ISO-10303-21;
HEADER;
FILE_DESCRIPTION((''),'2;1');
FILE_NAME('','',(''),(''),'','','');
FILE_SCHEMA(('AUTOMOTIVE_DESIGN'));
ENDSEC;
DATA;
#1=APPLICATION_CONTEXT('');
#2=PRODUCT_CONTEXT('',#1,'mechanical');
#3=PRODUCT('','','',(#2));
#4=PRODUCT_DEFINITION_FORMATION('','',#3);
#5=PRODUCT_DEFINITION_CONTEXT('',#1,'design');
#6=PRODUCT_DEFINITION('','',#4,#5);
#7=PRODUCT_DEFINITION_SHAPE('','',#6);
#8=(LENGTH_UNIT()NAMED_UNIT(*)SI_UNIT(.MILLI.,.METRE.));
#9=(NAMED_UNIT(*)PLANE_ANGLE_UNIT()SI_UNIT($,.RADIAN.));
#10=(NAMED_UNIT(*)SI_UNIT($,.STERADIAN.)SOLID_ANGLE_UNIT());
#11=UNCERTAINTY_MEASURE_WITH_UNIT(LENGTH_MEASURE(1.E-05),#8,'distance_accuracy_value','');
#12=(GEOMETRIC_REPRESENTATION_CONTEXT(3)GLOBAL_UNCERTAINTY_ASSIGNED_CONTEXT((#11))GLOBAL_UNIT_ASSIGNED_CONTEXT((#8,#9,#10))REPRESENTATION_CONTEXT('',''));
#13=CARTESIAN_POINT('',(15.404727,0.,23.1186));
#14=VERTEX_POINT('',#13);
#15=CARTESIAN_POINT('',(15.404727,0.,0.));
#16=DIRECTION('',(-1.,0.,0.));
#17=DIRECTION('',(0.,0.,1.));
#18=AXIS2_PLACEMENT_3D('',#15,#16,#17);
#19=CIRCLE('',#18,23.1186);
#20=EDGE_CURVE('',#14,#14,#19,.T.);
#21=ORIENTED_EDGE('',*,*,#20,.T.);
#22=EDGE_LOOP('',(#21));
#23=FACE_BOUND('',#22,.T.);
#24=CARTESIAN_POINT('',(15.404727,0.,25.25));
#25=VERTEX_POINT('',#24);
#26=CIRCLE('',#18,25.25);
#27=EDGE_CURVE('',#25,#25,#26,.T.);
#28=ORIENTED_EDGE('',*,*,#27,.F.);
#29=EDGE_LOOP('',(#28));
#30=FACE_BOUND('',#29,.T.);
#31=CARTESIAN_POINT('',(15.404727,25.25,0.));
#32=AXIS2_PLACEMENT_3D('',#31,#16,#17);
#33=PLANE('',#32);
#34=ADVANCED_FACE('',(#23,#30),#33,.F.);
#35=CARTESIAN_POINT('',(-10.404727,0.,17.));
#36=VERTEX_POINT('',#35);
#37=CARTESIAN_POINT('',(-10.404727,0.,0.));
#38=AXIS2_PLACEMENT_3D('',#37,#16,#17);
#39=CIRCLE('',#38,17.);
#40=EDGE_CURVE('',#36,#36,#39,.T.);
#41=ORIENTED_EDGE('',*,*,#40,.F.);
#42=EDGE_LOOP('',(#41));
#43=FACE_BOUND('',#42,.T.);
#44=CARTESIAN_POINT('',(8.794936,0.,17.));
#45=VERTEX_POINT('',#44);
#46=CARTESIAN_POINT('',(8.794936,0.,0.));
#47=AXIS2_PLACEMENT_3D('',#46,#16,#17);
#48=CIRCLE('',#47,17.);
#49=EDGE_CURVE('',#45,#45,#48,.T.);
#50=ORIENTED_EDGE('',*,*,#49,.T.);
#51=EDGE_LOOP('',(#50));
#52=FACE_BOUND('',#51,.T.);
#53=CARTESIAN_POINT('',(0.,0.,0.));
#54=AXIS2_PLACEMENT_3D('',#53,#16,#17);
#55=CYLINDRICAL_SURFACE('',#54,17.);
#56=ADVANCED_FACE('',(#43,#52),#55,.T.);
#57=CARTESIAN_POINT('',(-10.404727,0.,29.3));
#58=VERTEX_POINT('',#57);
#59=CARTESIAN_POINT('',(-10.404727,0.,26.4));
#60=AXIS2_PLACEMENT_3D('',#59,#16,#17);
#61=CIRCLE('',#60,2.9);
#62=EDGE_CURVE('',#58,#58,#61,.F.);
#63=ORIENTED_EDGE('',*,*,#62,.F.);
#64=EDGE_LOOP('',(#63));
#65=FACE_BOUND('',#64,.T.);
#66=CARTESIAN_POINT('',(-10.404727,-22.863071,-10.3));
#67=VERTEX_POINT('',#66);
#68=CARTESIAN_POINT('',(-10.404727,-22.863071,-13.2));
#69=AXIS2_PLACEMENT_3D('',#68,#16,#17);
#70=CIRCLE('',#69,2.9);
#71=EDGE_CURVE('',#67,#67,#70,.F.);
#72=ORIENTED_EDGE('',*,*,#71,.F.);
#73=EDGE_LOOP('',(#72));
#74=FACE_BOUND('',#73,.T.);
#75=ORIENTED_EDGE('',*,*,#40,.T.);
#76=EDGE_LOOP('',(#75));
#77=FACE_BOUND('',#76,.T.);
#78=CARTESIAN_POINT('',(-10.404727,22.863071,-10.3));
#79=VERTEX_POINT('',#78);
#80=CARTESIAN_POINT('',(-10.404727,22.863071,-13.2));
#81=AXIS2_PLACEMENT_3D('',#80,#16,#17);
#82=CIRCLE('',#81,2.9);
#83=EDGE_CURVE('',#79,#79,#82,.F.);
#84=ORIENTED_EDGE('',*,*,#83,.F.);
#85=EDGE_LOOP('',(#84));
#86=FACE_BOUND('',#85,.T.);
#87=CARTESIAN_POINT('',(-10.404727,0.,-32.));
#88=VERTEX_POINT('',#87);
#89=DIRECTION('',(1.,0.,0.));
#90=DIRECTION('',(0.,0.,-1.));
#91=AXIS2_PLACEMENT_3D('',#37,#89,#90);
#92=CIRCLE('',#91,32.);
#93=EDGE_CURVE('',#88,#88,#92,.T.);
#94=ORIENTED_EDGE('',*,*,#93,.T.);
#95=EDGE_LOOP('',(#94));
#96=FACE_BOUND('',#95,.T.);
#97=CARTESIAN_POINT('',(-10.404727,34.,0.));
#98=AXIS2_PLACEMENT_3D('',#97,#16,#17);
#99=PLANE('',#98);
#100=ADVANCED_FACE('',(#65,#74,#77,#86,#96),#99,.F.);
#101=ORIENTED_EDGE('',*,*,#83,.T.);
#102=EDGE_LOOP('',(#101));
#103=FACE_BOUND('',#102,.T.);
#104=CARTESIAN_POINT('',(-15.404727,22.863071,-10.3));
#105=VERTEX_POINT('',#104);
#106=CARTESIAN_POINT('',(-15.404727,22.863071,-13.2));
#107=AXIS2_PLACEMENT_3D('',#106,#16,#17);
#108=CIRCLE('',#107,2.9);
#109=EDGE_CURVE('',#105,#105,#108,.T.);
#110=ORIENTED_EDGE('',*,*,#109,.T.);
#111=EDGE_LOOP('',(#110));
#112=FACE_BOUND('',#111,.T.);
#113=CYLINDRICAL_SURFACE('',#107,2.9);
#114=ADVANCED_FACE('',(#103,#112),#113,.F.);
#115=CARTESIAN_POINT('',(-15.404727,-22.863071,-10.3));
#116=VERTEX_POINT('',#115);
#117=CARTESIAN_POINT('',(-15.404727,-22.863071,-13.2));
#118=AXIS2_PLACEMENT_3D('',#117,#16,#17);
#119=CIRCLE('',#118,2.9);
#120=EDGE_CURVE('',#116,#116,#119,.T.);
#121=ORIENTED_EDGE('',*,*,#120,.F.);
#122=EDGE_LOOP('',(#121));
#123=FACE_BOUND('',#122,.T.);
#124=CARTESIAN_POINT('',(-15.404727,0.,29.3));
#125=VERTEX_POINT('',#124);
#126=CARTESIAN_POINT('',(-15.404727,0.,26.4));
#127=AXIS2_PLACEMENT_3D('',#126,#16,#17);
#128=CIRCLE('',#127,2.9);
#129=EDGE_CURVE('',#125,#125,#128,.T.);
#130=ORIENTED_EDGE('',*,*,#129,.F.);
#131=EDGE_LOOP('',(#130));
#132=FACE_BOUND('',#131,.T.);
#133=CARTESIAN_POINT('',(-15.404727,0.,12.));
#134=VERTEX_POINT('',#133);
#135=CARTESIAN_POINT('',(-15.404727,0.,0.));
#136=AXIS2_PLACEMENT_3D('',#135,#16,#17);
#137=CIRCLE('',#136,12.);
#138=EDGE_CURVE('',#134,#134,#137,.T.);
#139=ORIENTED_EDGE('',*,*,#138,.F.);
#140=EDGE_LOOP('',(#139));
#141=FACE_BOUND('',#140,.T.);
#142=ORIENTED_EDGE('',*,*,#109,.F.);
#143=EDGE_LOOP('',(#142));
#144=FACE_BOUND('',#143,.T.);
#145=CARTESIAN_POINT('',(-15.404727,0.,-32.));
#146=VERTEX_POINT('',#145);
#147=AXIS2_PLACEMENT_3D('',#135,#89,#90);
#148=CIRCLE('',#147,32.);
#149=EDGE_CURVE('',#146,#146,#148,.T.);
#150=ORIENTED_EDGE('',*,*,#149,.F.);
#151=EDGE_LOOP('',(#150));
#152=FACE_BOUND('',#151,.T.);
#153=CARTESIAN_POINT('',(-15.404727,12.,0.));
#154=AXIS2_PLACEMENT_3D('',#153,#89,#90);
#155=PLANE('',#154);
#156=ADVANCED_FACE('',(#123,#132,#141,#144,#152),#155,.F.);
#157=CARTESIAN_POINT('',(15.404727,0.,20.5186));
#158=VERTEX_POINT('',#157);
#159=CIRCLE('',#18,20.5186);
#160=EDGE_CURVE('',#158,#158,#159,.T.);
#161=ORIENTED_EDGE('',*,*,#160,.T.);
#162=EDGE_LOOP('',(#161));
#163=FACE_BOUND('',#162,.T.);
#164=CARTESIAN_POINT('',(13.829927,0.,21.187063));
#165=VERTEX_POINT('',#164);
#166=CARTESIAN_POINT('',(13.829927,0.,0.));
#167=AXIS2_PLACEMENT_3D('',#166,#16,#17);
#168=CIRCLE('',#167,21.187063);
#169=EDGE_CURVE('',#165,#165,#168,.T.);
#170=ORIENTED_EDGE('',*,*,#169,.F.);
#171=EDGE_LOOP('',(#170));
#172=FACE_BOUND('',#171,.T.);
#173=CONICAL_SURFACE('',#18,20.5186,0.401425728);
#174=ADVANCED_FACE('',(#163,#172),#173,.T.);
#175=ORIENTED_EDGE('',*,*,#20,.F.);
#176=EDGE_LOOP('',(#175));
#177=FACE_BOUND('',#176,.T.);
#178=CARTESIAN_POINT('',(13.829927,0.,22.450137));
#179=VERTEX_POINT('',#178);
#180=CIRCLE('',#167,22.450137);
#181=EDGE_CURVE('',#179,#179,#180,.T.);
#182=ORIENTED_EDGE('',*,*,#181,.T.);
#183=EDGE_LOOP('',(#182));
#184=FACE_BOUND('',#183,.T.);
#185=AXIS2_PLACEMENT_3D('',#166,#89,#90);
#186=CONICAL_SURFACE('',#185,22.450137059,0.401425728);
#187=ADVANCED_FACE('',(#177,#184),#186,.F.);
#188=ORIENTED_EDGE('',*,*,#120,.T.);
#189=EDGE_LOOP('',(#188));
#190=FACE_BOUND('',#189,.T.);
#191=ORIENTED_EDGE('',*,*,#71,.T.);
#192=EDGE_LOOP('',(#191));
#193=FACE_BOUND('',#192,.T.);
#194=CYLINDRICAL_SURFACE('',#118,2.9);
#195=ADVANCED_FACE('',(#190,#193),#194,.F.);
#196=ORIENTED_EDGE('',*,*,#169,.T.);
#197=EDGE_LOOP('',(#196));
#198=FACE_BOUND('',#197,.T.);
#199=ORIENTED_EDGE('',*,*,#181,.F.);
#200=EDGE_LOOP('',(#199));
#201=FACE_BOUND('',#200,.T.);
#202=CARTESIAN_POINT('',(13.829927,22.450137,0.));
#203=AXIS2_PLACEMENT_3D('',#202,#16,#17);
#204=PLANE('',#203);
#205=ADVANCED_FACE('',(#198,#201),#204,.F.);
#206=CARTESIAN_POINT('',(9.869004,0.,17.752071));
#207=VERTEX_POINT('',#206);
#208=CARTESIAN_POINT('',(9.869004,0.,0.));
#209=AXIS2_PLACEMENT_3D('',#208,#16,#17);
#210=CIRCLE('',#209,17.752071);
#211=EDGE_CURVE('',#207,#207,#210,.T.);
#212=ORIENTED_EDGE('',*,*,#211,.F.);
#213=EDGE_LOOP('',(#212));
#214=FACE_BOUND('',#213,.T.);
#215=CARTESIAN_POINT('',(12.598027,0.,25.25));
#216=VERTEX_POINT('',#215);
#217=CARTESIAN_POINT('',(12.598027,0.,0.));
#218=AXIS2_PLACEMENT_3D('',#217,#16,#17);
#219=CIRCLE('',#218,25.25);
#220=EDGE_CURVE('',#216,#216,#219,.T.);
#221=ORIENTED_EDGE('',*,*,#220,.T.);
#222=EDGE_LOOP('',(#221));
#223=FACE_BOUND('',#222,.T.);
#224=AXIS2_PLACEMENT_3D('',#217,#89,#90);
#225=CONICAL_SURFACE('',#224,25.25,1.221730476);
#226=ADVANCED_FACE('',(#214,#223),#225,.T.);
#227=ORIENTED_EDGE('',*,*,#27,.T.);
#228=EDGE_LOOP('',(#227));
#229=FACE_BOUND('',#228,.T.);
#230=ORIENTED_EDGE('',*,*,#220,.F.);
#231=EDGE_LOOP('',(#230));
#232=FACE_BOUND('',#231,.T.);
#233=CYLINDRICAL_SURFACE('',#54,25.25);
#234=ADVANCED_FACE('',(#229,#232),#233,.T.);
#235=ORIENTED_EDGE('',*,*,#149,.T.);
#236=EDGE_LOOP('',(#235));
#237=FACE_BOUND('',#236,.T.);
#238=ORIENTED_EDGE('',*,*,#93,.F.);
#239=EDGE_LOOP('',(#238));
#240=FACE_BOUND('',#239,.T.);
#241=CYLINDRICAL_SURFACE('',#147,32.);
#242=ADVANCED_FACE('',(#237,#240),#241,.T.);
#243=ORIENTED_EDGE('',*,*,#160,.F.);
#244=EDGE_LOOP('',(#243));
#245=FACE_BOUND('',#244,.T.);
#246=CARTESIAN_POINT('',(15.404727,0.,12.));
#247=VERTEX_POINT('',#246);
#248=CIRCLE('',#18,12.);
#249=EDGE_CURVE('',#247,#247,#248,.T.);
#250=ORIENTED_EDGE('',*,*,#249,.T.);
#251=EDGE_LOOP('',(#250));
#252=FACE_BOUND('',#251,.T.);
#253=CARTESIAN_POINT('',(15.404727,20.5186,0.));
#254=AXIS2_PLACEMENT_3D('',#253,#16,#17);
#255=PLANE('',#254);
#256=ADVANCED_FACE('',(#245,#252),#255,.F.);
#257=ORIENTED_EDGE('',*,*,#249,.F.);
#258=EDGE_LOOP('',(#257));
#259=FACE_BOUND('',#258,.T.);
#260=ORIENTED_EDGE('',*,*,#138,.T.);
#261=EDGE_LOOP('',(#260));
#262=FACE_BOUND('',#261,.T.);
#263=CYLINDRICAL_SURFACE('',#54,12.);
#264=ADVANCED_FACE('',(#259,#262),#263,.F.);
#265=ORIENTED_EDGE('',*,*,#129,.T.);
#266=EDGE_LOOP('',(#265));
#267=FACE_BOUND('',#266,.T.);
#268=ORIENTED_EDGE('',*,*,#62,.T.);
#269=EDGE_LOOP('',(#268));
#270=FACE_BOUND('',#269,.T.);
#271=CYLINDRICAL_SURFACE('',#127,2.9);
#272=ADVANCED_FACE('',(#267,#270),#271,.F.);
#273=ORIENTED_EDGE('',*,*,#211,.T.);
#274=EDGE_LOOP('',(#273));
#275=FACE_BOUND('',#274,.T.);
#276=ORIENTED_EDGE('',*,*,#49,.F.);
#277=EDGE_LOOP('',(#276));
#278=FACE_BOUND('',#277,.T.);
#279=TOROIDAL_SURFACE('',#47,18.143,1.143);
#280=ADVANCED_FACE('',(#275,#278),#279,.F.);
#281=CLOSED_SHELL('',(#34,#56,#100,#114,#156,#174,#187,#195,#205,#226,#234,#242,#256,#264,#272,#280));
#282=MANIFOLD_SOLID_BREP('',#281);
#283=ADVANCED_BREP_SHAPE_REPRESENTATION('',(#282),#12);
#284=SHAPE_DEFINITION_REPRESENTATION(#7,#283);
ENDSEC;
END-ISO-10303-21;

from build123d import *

# Parameters (mm, degrees)
M5_CLEARANCE_HOLE1_REACH  = 59.107
M5_CLEARANCE_HOLE1_BORE_R = 2.9
SKETCH5_R                 = 42
SKETCH5_R_2               = 32
CUT_EXTRUDE_THIN1_DEPTH   = 55.572226802


with BuildPart() as part:
    # Sketch1 → Revolve1 (revolve)
    with BuildSketch(Plane.XY, mode=Mode.PRIVATE) as revolve1_sk:
        with BuildLine():
            Line((-15.404727216, 12), (-15.404727216, 34))
            Line((-15.404727216, 34), (-10.404727216, 34))
            Line((-10.404727216, 34), (-10.404727216, 17))
            Line((-10.404727216, 17), (8.794935567, 17))
            ThreePointArc((8.794935567, 17), (9.450533434, 17.206709213), (9.869004233, 17.752070976))
            Line((9.869004233, 17.752070976), (12.598027216, 25.25))
            Line((12.598027216, 25.25), (15.404727216, 25.25))
            Line((15.404727216, 25.25), (15.404727216, 23.1186))
            Line((15.404727216, 23.1186), (13.829927216, 22.450137059))
            Line((13.829927216, 22.450137059), (13.829927216, 21.187062941))
            Line((13.829927216, 21.187062941), (15.404727216, 20.5186))
            Line((15.404727216, 20.5186), (15.404727216, 12))
            Line((15.404727216, 12), (-15.404727216, 12))
        make_face()
    revolve(revolve1_sk.sketch.rotate(Axis((0, 0, 0), (1, 0, 0)), 90), axis=Axis((0, 0, 0), (1, 0, 0)))

    # M5 Clearance Hole1 bore → M5 Clearance Hole1 (cut, up to next)
    with BuildSketch(Plane.ZY.offset(15.404727216), mode=Mode.PRIVATE) as m5_clearance_hole1_sk1:
        with Locations((-13.199999999, -22.86307066)):
            Circle(M5_CLEARANCE_HOLE1_BORE_R)
    m5_clearance_hole1_tool1 = extrude(m5_clearance_hole1_sk1.sketch, amount=-M5_CLEARANCE_HOLE1_REACH, mode=Mode.PRIVATE) & part.part
    # M5 Clearance Hole1 bore → M5 Clearance Hole1 (cut, up to next)
    with BuildSketch(Plane.ZY.offset(15.404727216), mode=Mode.PRIVATE) as m5_clearance_hole1_sk2:
        with Locations((-13.200000001, 22.863070659)):
            Circle(M5_CLEARANCE_HOLE1_BORE_R)
    m5_clearance_hole1_tool2 = extrude(m5_clearance_hole1_sk2.sketch, amount=-M5_CLEARANCE_HOLE1_REACH, mode=Mode.PRIVATE) & part.part
    # M5 Clearance Hole1 bore → M5 Clearance Hole1 (cut, up to next)
    with BuildSketch(Plane.ZY.offset(15.404727216), mode=Mode.PRIVATE) as m5_clearance_hole1_sk3:
        with Locations((26.4, 1e-09)):
            Circle(M5_CLEARANCE_HOLE1_BORE_R)
    m5_clearance_hole1_tool3 = extrude(m5_clearance_hole1_sk3.sketch, amount=-M5_CLEARANCE_HOLE1_REACH, mode=Mode.PRIVATE) & part.part
    add(m5_clearance_hole1_tool1.solids().sort_by_distance((-15.404727, -22.863071, -13.2))[0], mode=Mode.SUBTRACT)
    add(m5_clearance_hole1_tool2.solids().sort_by_distance((-15.404727, 22.863071, -13.2))[0], mode=Mode.SUBTRACT)
    add(m5_clearance_hole1_tool3.solids().sort_by_distance((-15.404727, 0, 26.4))[0], mode=Mode.SUBTRACT)

    # Sketch5 → Cut-Extrude-Thin1 (cut, through all)
    with BuildSketch(Plane(origin=(-10.404727216, 0, 0), x_dir=(0, 0, -1), z_dir=(1, 0, 0))):
        Circle(SKETCH5_R)
        Circle(SKETCH5_R_2, mode=Mode.SUBTRACT)
    extrude(amount=-CUT_EXTRUDE_THIN1_DEPTH, mode=Mode.SUBTRACT)


solid = part.part
